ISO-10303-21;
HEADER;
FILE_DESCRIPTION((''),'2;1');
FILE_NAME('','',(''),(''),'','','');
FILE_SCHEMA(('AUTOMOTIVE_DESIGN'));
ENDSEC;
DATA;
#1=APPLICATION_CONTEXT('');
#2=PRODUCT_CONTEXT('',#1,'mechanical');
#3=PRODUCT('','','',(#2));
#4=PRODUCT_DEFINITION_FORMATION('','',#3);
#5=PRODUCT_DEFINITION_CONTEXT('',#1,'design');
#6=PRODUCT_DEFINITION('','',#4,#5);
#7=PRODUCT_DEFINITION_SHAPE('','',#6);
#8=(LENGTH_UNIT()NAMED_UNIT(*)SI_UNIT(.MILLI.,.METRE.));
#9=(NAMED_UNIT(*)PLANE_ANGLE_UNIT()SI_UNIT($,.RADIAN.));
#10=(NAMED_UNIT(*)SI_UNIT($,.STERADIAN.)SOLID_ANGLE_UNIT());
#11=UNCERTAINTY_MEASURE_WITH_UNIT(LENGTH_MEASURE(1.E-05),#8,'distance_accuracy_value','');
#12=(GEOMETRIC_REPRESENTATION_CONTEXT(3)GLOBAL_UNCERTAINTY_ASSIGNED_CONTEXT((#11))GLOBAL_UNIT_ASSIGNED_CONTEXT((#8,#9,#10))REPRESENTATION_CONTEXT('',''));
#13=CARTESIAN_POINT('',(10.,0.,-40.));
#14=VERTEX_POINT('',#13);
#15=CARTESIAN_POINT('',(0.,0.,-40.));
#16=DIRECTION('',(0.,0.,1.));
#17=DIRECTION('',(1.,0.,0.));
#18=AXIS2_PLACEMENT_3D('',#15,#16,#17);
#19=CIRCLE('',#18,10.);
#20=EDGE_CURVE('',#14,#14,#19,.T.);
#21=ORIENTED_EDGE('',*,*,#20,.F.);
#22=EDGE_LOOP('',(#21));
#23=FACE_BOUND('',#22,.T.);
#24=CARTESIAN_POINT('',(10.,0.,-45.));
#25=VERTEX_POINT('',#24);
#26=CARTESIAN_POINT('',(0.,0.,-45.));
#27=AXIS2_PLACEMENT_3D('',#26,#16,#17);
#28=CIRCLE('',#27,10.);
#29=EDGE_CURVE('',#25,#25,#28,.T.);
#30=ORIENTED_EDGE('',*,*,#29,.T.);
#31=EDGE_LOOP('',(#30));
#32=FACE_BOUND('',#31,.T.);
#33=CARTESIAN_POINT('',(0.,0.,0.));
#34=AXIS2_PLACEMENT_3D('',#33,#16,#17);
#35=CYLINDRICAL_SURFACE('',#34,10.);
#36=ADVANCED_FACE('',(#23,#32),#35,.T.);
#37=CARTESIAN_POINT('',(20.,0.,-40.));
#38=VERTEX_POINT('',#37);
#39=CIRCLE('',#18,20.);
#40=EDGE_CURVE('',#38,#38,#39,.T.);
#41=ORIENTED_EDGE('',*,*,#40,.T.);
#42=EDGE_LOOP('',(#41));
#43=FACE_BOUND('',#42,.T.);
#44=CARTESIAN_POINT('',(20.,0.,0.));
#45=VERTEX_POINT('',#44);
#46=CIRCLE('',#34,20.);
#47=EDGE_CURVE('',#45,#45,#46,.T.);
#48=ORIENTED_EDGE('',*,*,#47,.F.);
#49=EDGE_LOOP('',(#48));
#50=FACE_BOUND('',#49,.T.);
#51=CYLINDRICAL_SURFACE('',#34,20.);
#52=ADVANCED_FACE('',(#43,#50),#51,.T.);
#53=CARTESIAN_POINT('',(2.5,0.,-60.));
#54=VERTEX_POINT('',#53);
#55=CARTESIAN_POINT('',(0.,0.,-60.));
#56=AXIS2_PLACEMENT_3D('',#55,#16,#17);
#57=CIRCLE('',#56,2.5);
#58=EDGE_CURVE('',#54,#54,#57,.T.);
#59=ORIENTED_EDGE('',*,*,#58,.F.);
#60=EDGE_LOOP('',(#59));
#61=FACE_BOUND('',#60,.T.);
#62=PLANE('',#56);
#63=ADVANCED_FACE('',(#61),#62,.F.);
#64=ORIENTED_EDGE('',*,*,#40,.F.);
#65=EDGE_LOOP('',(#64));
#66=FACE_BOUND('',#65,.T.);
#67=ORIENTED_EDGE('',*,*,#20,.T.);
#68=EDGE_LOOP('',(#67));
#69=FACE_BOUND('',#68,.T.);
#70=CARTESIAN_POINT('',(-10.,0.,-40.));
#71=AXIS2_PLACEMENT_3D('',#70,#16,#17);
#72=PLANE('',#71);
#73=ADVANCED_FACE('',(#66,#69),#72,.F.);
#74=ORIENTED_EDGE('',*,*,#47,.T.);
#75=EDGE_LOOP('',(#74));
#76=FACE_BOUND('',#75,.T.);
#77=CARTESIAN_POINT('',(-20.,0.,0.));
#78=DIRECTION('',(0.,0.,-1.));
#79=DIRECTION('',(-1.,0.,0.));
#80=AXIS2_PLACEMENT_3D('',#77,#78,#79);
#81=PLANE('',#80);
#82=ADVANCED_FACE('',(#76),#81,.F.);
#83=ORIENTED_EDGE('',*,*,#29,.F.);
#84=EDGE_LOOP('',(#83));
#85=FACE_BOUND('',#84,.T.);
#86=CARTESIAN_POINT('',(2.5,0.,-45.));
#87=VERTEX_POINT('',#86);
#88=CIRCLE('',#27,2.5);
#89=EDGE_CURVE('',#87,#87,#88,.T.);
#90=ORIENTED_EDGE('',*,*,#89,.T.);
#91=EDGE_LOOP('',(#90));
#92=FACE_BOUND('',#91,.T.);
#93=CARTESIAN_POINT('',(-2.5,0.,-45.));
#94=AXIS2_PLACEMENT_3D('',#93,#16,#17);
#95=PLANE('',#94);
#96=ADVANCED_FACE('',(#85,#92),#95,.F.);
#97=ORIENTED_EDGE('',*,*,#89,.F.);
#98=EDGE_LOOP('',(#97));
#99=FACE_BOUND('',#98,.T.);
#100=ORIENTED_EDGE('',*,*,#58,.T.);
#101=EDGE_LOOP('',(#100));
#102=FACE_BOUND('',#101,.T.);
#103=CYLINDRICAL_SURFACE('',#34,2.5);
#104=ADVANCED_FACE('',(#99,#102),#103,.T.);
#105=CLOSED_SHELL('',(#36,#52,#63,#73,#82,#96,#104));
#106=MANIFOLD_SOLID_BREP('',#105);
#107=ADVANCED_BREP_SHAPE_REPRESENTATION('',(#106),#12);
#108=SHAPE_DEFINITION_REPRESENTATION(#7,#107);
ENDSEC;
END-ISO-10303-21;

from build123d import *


with BuildPart() as part:
    # Sketch4 → Revolve1 (revolve)
    with BuildSketch(Plane(origin=(0, 0, 0), x_dir=(1, 0, 0), z_dir=(0, 1, 0)), mode=Mode.PRIVATE) as revolve1_sk:
        Polygon((0, 60), (-2.5, 60), (-2.5, 45), (-10, 45), (-10, 40), (-20, 40), (-20, 0), (0, 0), align=None)
    revolve(revolve1_sk.sketch.rotate(Axis((0, 0, 0), (0, 0, -1)), 180), axis=Axis((0, 0, 0), (0, 0, -1)))


solid = part.part
